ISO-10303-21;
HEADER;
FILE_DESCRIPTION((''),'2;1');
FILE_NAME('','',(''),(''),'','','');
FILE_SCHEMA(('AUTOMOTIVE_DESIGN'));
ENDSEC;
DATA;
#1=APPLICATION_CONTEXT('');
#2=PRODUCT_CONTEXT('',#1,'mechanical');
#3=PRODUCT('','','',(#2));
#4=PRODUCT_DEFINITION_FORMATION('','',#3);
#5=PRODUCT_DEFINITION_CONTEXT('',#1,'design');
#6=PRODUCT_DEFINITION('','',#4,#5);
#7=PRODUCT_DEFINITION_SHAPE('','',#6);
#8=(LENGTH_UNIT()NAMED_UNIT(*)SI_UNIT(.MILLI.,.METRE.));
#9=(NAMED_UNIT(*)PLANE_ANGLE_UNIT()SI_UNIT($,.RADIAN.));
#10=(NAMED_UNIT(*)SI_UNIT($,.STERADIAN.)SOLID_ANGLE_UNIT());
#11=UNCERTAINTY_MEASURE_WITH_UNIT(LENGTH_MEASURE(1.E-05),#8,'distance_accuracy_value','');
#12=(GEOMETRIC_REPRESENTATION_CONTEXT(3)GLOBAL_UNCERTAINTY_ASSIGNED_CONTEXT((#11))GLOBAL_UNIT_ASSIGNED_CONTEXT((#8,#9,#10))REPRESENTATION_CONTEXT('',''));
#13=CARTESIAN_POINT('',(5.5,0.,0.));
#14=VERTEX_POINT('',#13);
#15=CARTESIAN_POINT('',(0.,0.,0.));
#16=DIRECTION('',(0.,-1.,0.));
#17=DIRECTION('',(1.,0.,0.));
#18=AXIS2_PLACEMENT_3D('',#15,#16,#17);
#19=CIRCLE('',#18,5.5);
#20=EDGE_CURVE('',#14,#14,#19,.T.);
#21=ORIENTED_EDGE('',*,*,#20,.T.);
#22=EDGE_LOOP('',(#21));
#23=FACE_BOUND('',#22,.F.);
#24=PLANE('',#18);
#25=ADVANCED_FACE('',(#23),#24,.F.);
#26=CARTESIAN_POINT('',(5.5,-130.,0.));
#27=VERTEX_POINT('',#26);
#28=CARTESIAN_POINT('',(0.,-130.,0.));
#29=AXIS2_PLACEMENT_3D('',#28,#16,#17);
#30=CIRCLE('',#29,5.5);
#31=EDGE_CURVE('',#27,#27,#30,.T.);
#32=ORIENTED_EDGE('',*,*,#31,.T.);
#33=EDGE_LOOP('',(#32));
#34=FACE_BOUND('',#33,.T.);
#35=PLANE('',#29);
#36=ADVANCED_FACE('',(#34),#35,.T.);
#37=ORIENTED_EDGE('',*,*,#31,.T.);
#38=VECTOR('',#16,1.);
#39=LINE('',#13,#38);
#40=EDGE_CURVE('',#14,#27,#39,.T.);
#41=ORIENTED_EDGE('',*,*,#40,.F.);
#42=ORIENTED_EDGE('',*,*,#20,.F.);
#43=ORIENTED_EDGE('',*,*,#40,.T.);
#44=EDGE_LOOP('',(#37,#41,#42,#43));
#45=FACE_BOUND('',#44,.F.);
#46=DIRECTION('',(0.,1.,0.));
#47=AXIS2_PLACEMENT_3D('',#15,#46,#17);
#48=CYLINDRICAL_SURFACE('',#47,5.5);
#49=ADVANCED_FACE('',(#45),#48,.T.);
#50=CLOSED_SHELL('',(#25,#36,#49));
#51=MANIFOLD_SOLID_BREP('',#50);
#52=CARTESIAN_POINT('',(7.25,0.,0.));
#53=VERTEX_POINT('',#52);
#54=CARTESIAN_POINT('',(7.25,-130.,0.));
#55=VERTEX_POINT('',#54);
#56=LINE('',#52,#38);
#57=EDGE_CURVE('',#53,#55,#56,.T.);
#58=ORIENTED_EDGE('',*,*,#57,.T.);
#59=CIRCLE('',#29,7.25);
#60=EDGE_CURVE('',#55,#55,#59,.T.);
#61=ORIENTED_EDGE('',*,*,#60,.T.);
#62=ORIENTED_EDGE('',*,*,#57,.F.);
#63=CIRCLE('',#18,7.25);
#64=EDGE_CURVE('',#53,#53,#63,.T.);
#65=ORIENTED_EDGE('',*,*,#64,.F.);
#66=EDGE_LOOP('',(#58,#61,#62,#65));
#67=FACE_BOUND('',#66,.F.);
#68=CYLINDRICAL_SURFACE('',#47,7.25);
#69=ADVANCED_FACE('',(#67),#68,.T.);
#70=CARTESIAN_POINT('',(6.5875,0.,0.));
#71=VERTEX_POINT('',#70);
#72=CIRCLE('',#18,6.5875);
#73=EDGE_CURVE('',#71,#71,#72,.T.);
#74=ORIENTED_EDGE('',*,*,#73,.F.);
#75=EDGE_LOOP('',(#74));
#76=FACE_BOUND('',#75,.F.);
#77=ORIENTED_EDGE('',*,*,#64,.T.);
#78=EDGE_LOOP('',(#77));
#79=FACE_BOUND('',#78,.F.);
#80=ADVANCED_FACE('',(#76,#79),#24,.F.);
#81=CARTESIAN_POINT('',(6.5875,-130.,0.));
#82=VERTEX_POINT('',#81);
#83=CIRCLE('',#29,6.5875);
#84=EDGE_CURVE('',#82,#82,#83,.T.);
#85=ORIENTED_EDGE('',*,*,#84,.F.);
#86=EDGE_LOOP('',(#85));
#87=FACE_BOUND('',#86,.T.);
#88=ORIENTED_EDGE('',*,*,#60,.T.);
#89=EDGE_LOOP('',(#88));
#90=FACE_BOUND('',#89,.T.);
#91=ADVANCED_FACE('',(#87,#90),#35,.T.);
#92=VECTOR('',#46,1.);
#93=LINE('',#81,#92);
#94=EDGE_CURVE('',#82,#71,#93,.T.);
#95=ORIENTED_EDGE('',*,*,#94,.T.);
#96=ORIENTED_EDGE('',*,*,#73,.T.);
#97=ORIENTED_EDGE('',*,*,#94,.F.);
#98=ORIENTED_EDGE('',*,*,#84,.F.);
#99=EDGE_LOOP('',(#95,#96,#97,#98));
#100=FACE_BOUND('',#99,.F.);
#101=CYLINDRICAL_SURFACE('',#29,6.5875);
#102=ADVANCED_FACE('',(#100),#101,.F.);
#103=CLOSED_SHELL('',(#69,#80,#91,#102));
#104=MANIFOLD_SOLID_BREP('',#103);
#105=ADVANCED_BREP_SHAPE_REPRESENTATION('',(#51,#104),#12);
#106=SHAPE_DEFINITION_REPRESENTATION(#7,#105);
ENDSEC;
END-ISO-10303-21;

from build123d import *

# Parameters (mm, degrees)
F0_R     = 7.25
F1_DEPTH = 130
F2_R     = 6.5875
F3_DEPTH = 130
F4_R     = 5.5
F5_DEPTH = 130
F6_R     = 3.150908
F7_DEPTH = 130


with BuildPart() as f1:
    # F0 (on Front) → F1 (new body)
    with BuildSketch(Plane.XZ):
        Circle(F0_R)
    extrude(amount=F1_DEPTH)

    # F2 (on face) → F3 (cut)
    with BuildSketch(Plane.XZ.offset(130)):
        Circle(F2_R)
    extrude(amount=-F3_DEPTH, mode=Mode.SUBTRACT)


with BuildPart() as f5:
    # F4 (on Front) → F5 (new body)
    with BuildSketch(Plane.XZ):
        Circle(F4_R)
    extrude(amount=F5_DEPTH)

    # F6 (on face) → F7 (join)
    with BuildSketch(Plane.XZ.offset(130)):
        Circle(F6_R)
    extrude(amount=-F7_DEPTH)


solid = Compound([f1.part, f5.part])
